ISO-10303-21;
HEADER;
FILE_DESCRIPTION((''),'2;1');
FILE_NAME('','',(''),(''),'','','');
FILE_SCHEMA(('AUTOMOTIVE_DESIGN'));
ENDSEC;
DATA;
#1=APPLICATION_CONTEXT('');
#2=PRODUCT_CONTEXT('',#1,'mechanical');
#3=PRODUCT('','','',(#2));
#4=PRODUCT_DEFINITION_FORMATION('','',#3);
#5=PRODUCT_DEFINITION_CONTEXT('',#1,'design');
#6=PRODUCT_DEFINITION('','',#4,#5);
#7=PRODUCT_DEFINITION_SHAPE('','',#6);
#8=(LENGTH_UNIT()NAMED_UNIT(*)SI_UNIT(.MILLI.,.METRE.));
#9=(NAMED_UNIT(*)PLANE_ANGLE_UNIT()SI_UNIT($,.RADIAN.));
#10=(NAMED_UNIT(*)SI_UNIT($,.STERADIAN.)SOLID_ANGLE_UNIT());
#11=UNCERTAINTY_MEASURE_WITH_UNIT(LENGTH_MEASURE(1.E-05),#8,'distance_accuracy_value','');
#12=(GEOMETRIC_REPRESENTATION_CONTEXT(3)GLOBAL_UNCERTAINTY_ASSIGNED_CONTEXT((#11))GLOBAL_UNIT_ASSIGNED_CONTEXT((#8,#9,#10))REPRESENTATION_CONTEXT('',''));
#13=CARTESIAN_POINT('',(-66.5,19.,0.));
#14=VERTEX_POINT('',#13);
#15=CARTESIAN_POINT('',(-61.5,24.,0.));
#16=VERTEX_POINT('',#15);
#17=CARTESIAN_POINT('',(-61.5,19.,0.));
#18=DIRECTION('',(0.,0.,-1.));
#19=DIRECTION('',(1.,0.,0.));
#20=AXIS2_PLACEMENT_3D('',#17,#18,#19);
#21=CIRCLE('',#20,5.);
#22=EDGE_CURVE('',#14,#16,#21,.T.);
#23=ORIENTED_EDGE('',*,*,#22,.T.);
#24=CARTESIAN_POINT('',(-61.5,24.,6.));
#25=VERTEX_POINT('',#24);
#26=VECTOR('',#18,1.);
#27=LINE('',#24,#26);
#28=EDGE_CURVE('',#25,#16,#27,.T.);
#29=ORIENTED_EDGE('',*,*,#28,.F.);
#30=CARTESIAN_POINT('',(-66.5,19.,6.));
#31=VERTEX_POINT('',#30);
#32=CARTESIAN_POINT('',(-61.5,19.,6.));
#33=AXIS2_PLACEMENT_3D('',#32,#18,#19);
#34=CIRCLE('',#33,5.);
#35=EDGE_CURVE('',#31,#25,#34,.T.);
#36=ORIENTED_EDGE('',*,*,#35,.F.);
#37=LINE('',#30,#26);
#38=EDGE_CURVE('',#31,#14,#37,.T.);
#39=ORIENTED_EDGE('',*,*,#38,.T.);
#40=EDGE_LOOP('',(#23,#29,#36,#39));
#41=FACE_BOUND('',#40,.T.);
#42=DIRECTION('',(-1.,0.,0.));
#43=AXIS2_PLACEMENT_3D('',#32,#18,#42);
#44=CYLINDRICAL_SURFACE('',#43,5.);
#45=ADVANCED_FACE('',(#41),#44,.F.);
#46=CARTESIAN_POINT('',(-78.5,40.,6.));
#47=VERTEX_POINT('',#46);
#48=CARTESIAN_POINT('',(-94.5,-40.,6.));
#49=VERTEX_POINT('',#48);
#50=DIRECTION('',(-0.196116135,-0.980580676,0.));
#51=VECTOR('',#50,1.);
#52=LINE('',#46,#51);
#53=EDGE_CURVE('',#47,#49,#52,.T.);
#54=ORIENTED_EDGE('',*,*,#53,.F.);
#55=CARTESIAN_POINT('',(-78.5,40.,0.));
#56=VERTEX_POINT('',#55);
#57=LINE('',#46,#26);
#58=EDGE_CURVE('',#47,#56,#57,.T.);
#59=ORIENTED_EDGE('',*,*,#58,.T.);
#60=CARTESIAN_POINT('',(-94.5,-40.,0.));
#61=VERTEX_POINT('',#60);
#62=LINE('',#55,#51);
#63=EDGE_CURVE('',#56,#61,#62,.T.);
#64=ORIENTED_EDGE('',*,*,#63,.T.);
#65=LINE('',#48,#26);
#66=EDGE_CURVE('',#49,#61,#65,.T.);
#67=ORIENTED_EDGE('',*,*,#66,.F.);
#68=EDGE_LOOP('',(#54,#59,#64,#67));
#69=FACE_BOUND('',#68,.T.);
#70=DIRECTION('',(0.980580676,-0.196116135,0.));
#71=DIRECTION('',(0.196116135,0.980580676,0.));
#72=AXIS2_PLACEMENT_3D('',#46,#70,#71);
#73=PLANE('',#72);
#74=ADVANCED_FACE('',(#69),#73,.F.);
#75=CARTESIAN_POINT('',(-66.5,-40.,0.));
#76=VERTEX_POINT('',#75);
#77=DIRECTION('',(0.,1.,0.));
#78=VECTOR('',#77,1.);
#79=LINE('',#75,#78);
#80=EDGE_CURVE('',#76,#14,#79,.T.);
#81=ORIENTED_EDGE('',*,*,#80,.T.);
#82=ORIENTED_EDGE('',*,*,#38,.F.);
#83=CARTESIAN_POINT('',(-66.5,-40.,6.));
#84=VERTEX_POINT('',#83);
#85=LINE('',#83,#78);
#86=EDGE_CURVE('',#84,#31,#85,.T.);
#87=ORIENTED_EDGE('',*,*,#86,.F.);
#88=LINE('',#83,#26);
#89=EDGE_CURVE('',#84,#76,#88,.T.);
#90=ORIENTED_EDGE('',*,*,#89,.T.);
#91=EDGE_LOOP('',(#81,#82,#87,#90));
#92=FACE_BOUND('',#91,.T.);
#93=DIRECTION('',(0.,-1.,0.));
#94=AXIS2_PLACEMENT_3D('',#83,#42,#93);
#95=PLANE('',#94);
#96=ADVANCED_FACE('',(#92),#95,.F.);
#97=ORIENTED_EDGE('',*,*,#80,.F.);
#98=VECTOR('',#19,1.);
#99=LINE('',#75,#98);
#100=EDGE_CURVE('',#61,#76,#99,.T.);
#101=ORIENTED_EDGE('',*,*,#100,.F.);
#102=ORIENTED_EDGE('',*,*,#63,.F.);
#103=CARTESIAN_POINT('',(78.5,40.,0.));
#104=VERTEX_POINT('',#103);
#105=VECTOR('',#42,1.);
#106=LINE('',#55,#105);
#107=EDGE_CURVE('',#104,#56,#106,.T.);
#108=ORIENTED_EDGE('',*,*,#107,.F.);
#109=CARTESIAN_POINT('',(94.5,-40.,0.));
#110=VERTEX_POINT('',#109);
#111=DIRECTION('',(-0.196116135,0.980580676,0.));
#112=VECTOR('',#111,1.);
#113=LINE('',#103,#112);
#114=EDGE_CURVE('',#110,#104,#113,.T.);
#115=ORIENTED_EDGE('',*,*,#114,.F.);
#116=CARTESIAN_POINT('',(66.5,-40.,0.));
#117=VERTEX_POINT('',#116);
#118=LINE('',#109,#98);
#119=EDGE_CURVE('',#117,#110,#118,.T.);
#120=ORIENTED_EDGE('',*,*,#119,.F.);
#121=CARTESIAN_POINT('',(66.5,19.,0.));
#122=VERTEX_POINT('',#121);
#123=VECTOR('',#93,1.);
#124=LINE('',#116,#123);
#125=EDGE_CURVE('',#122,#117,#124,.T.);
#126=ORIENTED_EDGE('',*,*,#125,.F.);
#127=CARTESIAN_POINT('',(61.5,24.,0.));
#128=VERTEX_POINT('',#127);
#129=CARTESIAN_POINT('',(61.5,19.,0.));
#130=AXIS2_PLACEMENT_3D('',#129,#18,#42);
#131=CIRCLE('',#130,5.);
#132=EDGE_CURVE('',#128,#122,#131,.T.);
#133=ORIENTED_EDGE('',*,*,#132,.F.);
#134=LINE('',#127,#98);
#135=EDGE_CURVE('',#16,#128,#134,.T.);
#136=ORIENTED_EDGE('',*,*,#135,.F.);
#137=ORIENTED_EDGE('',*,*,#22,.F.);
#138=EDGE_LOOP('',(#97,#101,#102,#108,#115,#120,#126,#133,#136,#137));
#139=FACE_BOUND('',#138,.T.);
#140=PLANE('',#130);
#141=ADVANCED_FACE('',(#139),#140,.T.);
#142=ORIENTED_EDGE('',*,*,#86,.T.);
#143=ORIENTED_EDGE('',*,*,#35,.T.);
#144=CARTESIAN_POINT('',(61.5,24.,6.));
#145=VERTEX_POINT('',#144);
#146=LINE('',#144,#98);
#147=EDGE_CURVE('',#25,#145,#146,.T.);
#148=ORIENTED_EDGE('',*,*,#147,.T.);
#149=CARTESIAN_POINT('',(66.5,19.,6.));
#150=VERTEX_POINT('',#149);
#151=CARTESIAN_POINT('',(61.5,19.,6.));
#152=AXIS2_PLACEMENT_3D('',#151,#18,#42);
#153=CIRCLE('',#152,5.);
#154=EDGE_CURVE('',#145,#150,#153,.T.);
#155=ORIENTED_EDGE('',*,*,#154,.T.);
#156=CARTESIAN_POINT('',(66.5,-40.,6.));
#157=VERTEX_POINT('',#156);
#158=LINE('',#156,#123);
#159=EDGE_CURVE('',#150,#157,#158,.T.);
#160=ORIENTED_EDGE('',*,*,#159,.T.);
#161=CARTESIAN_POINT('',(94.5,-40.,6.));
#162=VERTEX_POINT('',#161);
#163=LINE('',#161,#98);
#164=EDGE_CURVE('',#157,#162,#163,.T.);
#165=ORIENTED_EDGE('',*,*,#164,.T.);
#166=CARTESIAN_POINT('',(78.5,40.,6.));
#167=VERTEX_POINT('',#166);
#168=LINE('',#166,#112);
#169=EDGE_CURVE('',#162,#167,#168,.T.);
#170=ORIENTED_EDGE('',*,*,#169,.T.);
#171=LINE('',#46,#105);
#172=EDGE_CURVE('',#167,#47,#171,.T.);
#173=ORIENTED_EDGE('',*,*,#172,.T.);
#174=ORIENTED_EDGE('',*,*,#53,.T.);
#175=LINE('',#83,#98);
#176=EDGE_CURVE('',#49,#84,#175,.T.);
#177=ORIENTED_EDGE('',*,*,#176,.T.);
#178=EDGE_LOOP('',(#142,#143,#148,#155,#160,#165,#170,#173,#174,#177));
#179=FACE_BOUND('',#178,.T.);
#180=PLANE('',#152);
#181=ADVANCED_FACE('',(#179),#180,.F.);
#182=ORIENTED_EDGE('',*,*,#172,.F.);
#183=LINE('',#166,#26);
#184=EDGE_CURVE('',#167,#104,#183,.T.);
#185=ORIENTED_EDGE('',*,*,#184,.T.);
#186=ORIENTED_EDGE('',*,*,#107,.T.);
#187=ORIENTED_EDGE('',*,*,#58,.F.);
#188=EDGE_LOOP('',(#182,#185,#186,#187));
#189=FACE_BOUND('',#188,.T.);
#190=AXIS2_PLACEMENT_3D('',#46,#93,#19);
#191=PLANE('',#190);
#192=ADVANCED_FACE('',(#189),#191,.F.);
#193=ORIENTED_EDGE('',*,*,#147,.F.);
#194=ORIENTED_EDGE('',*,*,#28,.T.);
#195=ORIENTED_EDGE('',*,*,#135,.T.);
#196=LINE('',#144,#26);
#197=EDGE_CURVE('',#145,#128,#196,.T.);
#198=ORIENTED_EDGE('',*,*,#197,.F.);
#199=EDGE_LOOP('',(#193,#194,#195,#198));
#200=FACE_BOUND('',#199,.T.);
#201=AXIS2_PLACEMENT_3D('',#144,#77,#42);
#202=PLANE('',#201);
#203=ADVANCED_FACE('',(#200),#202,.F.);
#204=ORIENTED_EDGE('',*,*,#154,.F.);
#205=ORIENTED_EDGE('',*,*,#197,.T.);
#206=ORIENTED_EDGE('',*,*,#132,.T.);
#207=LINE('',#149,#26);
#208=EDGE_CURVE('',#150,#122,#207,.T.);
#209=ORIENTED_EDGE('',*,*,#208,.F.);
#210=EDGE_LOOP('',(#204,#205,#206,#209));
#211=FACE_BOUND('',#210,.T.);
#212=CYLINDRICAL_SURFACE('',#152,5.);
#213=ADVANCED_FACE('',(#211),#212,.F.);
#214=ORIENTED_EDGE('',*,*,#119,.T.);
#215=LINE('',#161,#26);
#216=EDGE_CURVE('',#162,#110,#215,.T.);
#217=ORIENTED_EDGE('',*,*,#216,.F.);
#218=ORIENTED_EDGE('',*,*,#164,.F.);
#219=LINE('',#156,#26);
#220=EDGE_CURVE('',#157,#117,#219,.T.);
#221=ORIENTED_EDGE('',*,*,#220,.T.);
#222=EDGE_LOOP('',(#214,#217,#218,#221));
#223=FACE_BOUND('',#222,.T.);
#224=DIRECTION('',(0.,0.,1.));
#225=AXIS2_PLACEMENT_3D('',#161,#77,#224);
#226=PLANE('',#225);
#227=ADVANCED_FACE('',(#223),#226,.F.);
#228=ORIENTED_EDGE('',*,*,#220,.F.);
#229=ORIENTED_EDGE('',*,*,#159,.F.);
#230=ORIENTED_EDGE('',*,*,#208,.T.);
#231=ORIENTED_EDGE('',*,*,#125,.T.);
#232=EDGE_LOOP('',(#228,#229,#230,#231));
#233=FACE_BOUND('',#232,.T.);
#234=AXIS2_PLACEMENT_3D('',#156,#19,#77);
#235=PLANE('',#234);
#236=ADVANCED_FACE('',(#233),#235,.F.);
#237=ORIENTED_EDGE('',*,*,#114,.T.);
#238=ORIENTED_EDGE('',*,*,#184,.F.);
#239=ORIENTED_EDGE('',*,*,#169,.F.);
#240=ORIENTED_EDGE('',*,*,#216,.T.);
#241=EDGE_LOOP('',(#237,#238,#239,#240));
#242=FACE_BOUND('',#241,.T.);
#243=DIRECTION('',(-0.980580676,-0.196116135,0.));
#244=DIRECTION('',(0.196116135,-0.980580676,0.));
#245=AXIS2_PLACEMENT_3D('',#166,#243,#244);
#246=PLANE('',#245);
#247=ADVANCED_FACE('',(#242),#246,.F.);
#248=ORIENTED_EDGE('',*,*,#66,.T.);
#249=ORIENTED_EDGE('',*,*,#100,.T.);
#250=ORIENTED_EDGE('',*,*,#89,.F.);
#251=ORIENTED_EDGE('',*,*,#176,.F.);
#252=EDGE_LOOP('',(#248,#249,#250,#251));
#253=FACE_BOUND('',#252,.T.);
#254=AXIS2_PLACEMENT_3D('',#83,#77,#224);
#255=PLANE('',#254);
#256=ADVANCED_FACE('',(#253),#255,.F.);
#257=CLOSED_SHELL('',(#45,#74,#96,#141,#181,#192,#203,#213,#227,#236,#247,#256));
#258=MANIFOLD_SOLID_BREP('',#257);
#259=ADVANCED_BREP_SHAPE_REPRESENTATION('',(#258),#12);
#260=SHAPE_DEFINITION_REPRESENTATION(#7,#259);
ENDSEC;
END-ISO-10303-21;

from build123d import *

# Parameters (mm, degrees)
RESSALTO_EXTRUS_O1_DEPTH = 6


with BuildPart() as part:
    # Esboço1 → Ressalto-extrusão1 (new body)
    with BuildSketch(Plane.XY):
        with BuildLine():
            Line((-66.5, -40), (-94.5, -40))
            Line((-94.5, -40), (-78.5, 40))
            Line((-78.5, 40), (78.5, 40))
            Line((78.5, 40), (94.5, -40))
            Line((94.5, -40), (66.5, -40))
            Line((66.5, -40), (66.5, 19))
            ThreePointArc((66.5, 19), (65.035533906, 22.535533906), (61.5, 24))
            Line((61.5, 24), (-61.5, 24))
            ThreePointArc((-61.5, 24), (-65.035533906, 22.535533906), (-66.5, 19))
            Line((-66.5, 19), (-66.5, -40))
        make_face()
    extrude(amount=RESSALTO_EXTRUS_O1_DEPTH)


solid = part.part
